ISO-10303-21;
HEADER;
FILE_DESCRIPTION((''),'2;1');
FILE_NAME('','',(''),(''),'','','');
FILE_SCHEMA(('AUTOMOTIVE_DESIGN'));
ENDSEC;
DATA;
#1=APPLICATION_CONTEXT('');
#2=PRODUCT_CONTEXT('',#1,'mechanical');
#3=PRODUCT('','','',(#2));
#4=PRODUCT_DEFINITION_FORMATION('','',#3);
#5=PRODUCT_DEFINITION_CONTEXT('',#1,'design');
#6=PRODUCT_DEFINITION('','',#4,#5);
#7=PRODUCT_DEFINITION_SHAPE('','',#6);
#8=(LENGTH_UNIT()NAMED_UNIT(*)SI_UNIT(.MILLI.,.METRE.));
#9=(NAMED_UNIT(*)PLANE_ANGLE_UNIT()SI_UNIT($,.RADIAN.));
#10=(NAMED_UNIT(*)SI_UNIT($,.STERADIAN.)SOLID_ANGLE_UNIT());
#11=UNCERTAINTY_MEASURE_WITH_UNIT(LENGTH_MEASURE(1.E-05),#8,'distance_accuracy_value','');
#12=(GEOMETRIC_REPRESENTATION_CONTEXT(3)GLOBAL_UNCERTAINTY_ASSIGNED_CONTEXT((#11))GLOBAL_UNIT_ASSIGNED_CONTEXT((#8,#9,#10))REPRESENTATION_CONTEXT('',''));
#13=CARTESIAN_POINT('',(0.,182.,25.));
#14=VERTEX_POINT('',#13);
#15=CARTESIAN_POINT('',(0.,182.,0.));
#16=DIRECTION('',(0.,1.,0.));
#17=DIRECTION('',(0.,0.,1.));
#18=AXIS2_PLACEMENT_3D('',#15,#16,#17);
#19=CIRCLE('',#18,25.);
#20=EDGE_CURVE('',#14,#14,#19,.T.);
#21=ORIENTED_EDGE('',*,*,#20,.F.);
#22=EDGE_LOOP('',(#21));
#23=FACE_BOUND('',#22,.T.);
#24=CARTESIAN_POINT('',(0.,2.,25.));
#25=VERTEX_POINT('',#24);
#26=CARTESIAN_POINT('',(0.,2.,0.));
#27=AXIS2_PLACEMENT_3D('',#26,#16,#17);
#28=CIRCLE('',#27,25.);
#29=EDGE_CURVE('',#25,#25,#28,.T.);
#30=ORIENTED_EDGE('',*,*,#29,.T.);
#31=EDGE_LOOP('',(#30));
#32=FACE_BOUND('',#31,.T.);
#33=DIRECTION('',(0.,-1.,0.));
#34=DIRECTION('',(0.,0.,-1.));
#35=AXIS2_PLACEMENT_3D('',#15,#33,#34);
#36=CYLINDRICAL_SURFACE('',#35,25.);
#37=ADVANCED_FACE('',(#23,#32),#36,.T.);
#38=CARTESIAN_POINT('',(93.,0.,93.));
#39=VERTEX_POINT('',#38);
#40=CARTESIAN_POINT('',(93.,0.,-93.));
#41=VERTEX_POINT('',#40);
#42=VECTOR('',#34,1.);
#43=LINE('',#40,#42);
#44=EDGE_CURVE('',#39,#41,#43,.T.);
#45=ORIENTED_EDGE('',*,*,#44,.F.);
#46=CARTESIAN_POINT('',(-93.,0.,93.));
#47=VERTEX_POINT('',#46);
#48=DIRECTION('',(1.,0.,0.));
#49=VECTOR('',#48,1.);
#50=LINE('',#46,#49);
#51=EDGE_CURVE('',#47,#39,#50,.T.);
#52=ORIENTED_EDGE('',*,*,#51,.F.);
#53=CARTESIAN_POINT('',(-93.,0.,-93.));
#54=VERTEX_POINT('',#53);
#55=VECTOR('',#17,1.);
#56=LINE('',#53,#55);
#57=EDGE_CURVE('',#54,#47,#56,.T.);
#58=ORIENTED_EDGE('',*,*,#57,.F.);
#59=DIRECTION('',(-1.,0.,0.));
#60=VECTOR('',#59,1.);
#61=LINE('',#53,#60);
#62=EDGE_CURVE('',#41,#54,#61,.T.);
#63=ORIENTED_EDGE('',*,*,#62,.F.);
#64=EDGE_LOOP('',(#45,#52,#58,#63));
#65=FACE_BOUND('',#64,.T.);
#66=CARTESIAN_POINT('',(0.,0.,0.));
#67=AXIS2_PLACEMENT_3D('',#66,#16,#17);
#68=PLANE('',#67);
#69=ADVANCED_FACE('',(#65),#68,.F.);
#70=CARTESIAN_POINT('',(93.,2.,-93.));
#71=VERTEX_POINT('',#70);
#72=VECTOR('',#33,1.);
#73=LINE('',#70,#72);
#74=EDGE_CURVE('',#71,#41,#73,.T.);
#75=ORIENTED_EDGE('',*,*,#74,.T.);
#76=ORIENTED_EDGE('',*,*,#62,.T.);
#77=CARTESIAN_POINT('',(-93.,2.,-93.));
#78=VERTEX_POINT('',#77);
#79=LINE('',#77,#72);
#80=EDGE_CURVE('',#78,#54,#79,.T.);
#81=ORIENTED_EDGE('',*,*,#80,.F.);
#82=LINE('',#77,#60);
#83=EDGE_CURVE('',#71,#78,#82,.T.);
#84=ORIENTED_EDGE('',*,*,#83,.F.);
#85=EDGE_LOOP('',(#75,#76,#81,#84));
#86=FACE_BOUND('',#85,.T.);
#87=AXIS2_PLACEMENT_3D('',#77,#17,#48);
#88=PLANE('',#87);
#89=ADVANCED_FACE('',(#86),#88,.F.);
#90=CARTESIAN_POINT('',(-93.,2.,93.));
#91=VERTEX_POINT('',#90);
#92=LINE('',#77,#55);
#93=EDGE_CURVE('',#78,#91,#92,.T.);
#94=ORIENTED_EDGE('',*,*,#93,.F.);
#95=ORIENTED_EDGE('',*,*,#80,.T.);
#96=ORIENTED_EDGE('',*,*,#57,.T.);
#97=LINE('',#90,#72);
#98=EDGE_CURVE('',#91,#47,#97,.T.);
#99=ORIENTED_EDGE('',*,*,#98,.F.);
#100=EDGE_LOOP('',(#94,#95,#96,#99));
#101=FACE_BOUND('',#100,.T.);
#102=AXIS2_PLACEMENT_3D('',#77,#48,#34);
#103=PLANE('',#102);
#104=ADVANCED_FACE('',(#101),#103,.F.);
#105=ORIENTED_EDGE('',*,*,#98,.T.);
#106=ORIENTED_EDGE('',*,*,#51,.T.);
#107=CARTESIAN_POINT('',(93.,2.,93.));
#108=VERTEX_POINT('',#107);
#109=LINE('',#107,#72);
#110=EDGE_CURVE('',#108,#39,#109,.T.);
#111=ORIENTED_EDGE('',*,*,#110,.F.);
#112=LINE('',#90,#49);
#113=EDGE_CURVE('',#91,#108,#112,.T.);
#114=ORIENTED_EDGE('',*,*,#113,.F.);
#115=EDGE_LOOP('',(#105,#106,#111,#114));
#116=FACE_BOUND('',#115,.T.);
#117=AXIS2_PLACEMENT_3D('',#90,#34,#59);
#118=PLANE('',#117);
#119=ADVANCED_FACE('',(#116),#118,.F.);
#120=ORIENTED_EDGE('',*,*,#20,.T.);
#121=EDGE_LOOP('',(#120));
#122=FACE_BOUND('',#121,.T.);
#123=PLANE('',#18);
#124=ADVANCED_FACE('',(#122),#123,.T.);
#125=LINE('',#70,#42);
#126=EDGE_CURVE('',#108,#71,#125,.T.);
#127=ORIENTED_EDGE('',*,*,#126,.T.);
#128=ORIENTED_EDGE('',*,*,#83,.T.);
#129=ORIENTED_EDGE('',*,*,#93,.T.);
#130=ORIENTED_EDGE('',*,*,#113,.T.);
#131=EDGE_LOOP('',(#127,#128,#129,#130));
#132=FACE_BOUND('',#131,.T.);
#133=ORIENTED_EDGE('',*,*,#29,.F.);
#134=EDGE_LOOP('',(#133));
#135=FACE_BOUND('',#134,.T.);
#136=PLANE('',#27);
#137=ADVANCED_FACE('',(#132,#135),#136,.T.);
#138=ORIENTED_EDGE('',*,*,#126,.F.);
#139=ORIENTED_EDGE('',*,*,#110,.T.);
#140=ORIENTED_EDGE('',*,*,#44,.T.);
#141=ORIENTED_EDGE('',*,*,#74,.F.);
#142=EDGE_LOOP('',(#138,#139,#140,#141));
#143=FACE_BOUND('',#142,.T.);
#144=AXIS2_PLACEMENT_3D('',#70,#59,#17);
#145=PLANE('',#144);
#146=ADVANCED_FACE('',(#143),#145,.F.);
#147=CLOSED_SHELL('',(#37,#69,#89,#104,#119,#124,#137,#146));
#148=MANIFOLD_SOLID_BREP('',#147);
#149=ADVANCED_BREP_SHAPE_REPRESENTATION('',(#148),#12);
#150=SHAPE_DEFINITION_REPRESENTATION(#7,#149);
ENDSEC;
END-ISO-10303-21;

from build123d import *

# Parameters (mm, degrees)
SKETCH1_W           = 186
SKETCH1_H           = 186
BOSS_EXTRUDE1_DEPTH = 2
SKETCH2_R           = 25
BOSS_EXTRUDE2_DEPTH = 180


with BuildPart() as part:
    # Sketch1 → Boss-Extrude1 (new body)
    with BuildSketch(Plane(origin=(0, 0, 0), x_dir=(1, 0, 0), z_dir=(0, 1, 0))):
        Rectangle(SKETCH1_W, SKETCH1_H)
    extrude(amount=BOSS_EXTRUDE1_DEPTH)

    # Sketch2 → Boss-Extrude2 (add)
    with BuildSketch(Plane(origin=(0, 2, 0), x_dir=(1, 0, 0), z_dir=(0, 1, 0))):
        Circle(SKETCH2_R)
    extrude(amount=BOSS_EXTRUDE2_DEPTH)


solid = part.part
